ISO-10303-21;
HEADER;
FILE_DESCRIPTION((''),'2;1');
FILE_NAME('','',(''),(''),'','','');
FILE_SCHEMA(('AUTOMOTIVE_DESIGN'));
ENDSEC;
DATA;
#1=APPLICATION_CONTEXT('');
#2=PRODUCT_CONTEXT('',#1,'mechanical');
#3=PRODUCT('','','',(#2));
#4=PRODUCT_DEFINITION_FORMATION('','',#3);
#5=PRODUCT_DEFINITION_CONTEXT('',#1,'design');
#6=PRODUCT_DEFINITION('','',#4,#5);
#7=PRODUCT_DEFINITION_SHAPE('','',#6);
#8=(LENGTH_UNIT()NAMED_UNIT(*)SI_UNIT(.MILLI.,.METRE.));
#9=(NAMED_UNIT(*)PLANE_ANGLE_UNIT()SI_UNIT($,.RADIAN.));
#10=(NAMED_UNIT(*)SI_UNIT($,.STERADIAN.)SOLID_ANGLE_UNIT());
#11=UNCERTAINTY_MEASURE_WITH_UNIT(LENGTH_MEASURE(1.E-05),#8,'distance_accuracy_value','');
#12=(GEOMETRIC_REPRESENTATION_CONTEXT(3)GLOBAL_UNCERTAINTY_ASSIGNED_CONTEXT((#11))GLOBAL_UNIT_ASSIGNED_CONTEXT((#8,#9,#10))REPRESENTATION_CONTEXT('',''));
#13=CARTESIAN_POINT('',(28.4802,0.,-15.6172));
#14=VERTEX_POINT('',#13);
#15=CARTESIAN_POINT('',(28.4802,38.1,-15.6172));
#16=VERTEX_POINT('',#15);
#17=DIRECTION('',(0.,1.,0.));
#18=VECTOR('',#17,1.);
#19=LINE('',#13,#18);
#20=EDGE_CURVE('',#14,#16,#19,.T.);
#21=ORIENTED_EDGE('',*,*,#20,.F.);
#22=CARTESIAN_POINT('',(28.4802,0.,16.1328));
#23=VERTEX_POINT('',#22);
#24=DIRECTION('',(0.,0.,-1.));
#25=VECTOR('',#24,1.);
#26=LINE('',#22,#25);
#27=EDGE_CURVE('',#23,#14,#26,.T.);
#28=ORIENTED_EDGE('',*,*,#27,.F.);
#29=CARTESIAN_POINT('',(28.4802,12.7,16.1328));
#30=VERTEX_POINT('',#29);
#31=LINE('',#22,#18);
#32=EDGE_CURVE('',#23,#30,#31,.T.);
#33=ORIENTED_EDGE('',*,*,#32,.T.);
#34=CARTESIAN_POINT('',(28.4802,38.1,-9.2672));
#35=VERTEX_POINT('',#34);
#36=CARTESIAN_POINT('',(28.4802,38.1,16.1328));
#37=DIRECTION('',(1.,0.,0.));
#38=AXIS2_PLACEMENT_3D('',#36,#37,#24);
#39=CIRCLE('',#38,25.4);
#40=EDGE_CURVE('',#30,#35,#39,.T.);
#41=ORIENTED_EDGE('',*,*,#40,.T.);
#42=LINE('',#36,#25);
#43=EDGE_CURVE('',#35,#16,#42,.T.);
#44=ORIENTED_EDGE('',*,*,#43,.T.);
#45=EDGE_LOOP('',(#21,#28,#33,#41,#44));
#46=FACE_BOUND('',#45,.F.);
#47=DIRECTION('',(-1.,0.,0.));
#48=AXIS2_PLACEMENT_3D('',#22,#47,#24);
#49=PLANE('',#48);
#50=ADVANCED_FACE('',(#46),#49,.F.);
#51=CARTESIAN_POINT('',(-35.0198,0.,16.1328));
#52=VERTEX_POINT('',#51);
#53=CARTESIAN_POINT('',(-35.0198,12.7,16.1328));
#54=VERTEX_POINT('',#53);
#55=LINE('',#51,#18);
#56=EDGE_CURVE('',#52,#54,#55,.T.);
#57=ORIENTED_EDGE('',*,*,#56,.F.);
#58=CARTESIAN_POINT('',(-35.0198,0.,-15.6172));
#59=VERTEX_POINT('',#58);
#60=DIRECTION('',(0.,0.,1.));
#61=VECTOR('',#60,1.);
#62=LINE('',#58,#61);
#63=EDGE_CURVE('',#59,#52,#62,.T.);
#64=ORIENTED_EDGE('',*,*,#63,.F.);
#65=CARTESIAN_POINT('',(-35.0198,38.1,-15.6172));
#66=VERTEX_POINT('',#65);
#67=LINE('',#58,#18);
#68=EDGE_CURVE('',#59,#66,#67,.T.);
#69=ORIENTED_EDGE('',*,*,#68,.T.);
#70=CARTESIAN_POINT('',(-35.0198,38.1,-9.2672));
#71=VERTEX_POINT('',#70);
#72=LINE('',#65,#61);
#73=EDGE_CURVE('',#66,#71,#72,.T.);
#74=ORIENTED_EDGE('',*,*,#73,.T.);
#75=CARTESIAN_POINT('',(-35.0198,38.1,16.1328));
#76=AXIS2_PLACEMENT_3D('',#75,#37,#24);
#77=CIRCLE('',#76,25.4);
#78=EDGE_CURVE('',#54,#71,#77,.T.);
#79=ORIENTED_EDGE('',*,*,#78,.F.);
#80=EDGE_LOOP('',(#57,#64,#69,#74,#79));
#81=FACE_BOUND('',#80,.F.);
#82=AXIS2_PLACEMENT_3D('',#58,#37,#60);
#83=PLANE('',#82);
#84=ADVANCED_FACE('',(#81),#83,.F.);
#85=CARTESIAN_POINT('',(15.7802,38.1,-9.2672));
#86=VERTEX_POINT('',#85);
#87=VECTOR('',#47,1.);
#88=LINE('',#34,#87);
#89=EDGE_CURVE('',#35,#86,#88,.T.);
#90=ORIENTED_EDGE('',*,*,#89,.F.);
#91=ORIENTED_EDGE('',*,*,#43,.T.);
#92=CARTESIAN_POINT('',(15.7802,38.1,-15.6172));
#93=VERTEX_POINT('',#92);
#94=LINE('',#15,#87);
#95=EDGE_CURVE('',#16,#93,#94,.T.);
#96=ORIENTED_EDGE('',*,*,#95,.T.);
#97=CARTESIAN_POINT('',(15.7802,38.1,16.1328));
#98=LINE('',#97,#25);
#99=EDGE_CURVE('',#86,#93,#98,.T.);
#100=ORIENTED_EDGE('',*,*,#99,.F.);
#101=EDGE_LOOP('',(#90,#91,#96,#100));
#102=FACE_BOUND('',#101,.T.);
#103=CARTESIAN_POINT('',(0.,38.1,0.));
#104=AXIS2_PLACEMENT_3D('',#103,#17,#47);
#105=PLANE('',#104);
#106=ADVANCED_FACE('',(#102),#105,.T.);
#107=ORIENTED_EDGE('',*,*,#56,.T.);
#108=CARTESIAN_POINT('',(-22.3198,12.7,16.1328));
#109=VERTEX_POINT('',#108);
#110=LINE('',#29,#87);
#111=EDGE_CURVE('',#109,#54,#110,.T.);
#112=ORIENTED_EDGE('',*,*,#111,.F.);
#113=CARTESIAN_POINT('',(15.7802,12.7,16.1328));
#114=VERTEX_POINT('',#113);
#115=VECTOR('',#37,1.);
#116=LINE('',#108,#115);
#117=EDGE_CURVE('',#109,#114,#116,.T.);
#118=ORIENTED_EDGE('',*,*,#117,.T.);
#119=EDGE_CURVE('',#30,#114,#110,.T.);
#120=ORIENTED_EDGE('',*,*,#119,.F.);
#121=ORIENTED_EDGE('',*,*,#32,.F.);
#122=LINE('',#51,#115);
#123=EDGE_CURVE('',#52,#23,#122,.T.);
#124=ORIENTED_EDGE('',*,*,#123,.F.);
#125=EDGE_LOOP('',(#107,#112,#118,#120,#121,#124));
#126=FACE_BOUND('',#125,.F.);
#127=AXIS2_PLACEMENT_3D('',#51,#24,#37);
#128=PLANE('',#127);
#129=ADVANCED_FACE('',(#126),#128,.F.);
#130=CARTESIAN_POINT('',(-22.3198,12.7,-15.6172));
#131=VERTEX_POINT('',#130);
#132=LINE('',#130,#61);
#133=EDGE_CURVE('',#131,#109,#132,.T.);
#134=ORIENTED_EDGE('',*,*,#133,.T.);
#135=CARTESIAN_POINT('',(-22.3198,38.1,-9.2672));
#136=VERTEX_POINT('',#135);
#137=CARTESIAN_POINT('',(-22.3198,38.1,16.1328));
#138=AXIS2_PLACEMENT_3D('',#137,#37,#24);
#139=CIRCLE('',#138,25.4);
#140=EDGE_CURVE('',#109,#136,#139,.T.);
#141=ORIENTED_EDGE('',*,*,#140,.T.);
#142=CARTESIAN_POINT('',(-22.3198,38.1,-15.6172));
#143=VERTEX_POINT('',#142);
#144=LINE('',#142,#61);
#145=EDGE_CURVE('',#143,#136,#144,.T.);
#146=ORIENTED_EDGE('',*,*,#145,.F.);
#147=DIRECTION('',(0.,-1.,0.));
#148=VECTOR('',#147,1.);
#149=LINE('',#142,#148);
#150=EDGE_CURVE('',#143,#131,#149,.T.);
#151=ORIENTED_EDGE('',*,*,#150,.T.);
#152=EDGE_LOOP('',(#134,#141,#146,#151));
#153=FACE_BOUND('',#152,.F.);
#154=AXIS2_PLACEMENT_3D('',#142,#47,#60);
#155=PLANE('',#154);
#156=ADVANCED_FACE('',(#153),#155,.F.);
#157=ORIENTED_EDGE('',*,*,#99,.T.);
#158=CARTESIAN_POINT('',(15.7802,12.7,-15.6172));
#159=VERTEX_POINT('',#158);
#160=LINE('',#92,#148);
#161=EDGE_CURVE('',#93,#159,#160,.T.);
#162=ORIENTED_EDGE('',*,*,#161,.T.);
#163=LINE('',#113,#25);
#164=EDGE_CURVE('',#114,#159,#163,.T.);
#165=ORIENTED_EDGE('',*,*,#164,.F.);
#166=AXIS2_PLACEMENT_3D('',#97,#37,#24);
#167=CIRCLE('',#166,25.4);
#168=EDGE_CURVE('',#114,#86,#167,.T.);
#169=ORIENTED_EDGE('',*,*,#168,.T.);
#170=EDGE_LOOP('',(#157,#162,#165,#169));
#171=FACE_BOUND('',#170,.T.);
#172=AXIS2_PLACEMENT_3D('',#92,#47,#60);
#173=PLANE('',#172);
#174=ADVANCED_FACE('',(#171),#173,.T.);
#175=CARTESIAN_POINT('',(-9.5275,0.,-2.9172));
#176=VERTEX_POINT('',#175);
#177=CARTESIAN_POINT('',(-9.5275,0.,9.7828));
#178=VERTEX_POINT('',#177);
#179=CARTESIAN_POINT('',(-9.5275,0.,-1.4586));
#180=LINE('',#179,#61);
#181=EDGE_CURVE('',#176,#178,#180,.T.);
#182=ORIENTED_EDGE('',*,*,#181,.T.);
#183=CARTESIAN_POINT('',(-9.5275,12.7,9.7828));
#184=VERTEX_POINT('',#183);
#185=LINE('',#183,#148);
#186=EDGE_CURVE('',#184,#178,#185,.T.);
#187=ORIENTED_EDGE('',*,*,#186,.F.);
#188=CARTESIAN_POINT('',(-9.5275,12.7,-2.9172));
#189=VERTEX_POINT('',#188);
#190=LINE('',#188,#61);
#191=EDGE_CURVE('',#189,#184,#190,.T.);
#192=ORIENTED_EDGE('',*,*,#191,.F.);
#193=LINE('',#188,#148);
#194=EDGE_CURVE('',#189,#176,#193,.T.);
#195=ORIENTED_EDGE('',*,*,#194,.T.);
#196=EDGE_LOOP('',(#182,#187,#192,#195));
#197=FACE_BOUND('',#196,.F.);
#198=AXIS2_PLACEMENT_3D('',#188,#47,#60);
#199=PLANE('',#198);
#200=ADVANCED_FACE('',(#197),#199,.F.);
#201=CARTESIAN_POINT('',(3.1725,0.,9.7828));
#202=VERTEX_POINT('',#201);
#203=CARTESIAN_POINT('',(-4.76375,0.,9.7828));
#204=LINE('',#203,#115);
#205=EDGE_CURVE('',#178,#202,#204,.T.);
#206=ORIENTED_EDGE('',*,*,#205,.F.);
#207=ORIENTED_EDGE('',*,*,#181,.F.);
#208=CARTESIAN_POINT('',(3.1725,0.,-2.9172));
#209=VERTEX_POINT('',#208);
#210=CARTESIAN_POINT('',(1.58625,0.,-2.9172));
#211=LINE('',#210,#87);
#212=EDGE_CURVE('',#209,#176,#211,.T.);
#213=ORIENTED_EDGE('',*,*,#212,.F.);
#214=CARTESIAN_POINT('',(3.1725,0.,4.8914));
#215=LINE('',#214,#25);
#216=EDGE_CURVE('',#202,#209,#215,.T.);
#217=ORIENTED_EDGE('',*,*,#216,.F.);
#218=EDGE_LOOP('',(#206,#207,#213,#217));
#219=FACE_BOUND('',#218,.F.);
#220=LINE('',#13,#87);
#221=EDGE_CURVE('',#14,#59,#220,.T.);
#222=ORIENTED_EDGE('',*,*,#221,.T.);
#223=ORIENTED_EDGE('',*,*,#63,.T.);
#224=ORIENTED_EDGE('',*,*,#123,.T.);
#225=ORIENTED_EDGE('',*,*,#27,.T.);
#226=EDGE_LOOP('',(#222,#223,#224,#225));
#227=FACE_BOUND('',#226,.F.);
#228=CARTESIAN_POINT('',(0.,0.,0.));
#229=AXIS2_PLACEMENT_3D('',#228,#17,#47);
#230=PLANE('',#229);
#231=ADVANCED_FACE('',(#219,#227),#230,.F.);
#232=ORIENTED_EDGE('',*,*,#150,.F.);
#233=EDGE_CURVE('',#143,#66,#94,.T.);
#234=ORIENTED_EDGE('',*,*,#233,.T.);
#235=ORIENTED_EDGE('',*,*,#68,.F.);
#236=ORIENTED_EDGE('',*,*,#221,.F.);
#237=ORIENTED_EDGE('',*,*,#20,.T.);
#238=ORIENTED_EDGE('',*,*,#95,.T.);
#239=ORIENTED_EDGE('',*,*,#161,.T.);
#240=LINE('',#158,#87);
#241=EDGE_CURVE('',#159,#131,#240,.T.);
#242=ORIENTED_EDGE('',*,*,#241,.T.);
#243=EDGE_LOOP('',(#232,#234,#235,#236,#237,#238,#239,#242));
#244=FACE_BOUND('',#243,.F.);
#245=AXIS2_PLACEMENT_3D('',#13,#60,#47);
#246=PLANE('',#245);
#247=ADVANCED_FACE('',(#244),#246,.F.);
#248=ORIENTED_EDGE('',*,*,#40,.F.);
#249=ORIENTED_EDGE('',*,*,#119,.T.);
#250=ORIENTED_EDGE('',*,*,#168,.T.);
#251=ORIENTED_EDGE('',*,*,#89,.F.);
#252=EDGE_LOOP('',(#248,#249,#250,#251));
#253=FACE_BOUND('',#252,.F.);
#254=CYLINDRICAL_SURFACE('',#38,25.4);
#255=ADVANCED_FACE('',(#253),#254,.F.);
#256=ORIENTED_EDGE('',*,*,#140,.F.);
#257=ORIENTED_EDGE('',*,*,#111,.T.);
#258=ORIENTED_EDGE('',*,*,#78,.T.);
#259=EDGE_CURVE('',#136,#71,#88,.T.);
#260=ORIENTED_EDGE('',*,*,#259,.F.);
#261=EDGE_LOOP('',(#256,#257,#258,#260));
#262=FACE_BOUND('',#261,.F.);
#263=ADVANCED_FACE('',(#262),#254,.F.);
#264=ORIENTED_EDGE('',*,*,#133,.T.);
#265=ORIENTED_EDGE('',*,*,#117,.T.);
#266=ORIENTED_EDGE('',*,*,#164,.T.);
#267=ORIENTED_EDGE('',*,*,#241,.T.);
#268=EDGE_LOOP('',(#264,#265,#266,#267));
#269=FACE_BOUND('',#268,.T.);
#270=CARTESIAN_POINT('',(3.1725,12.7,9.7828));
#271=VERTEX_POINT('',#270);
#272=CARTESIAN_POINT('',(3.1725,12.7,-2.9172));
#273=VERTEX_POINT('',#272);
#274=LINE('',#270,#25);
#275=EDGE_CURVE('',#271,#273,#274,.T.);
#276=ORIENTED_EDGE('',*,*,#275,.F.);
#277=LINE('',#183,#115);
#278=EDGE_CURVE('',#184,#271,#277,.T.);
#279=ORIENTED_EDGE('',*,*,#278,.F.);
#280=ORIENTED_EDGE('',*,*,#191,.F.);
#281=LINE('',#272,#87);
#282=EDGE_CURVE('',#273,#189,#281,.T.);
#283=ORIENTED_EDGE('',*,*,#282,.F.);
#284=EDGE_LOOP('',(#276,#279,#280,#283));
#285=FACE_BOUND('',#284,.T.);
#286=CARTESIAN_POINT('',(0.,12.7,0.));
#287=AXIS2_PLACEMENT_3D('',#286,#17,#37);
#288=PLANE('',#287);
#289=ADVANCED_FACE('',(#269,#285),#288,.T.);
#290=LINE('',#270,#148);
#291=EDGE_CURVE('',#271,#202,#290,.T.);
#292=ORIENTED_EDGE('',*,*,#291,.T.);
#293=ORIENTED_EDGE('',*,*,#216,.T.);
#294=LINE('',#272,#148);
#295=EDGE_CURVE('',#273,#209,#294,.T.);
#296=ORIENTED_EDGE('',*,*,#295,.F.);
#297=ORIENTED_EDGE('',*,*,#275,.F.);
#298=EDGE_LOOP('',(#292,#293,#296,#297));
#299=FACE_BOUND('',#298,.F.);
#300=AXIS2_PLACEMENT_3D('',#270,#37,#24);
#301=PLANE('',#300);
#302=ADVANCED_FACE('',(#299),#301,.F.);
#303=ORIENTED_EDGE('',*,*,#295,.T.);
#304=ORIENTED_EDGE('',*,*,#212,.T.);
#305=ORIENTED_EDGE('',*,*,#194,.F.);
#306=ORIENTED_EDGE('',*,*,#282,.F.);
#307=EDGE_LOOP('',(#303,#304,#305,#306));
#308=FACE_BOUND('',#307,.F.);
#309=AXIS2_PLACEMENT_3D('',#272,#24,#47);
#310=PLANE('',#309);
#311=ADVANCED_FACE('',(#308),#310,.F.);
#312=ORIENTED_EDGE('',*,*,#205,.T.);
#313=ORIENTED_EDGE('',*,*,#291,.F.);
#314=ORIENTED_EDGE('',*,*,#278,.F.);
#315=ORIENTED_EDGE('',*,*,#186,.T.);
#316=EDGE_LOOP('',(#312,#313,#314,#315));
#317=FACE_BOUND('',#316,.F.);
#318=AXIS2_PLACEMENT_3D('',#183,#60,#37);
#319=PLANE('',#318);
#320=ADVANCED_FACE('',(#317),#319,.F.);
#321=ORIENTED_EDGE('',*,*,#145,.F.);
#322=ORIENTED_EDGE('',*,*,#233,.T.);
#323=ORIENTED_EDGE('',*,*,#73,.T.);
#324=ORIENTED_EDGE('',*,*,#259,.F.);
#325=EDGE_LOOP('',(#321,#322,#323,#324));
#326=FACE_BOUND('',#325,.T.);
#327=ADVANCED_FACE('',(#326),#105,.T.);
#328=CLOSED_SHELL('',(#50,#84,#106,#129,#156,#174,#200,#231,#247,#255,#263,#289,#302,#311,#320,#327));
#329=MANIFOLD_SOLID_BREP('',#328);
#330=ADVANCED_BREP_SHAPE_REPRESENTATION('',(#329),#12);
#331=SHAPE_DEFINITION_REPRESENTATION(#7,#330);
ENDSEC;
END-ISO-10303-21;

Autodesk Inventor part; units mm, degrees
ref_plane "YZ Plane" through (0, 0, 0) normal (1, 0, 0) x (0, 1, 0)
ref_plane "XZ Plane" through (0, 0, 0) normal (0, 1, 0) x (-1, 0, 0)
ref_plane "XY Plane" through (0, 0, 0) normal (0, 0, 1) x (1, 0, 0)
sketch "Sketch1" plane through (0, 0, 0) normal (0, 1, 0) x (-1, 0, 0)
  line L0 (35.0198, 16.1328) -> (-28.4802, 16.1328)
  line L1 (-28.4802, 16.1328) -> (-28.4802, -15.6172)
  line L2 (-28.4802, -15.6172) -> (35.0198, -15.6172)
  line L3 (35.0198, -15.6172) -> (35.0198, 16.1328)
  point P0 (0, 0)
  dimension "d0" = 63.5
  dimension "d1" = 31.75
extrude "Extrusion1" add sketch "Sketch1" along normal blind 38.1
sketch "Sketch2" plane through (0, 38.1, 0) normal (0, 1, 0) x (1, 0, 0)
  line L0 (28.4802, -16.1328) -> (28.4802, 15.6172) projected
  line L1 (15.7802, 15.6172) -> (15.7802, 9.2672)
  line L2 (28.4802, 9.2672) -> (28.4802, 15.6172)
  line L3 (15.7802, 15.6172) -> (-22.3198, 15.6172)
  line L4 (-22.3198, 15.6172) -> (-22.3198, -16.1328)
  line L5 (-22.3198, -16.1328) -> (15.7802, -16.1328)
  line L6 (15.7802, -16.1328) -> (15.7802, 15.6172)
  point P0 (0, 0)
  dimension "d4" = 12.7
  dimension "d5" = 6.35
  dimension "d6" = 38.1
  dimension "d7" = 31.75
extrude "Extrusion2" cut sketch "Sketch2" against normal blind 25.4
sketch "Sketch3" plane through (28.4802, 0, 16.1328) normal (1, 0, 0) x (0, 0, -1)
  line L0 (0, 12.7) -> (0, 38.1) projected
  circle A0 centre (0, 38.1) radius 25.4
  point P0 (16.1328, 0)
  dimension "d10" = 50.8
extrude "Extrusion3" cut sketch "Sketch3" against normal blind 76.2
sketch "Sketch4" plane through (0, 12.7, 0) normal (0, 1, 0) x (1, 0, 0)
  line L0 (28.4802, 15.6172) -> (-35.0198, 15.6172) projected
  line L1 (15.8725, 15.6172) -> (3.1725, 15.6172)
  line L2 (15.8725, 2.9172) -> (15.8725, 15.6172)
  line L3 (3.1725, 2.9172) -> (-9.5275, 2.9172)
  line L4 (-9.5275, 2.9172) -> (-9.5275, -9.7828)
  line L5 (-9.5275, -9.7828) -> (3.1725, -9.7828)
  line L6 (3.1725, -9.7828) -> (3.1725, 2.9172)
  point P0 (0, 0)
  dimension "d13" = 12.7
  dimension "d14" = 12.7
  dimension "d15" = 12.7
  dimension "d16" = 12.7
extrude "Extrusion4" cut sketch "Sketch4" against normal blind 25.4
